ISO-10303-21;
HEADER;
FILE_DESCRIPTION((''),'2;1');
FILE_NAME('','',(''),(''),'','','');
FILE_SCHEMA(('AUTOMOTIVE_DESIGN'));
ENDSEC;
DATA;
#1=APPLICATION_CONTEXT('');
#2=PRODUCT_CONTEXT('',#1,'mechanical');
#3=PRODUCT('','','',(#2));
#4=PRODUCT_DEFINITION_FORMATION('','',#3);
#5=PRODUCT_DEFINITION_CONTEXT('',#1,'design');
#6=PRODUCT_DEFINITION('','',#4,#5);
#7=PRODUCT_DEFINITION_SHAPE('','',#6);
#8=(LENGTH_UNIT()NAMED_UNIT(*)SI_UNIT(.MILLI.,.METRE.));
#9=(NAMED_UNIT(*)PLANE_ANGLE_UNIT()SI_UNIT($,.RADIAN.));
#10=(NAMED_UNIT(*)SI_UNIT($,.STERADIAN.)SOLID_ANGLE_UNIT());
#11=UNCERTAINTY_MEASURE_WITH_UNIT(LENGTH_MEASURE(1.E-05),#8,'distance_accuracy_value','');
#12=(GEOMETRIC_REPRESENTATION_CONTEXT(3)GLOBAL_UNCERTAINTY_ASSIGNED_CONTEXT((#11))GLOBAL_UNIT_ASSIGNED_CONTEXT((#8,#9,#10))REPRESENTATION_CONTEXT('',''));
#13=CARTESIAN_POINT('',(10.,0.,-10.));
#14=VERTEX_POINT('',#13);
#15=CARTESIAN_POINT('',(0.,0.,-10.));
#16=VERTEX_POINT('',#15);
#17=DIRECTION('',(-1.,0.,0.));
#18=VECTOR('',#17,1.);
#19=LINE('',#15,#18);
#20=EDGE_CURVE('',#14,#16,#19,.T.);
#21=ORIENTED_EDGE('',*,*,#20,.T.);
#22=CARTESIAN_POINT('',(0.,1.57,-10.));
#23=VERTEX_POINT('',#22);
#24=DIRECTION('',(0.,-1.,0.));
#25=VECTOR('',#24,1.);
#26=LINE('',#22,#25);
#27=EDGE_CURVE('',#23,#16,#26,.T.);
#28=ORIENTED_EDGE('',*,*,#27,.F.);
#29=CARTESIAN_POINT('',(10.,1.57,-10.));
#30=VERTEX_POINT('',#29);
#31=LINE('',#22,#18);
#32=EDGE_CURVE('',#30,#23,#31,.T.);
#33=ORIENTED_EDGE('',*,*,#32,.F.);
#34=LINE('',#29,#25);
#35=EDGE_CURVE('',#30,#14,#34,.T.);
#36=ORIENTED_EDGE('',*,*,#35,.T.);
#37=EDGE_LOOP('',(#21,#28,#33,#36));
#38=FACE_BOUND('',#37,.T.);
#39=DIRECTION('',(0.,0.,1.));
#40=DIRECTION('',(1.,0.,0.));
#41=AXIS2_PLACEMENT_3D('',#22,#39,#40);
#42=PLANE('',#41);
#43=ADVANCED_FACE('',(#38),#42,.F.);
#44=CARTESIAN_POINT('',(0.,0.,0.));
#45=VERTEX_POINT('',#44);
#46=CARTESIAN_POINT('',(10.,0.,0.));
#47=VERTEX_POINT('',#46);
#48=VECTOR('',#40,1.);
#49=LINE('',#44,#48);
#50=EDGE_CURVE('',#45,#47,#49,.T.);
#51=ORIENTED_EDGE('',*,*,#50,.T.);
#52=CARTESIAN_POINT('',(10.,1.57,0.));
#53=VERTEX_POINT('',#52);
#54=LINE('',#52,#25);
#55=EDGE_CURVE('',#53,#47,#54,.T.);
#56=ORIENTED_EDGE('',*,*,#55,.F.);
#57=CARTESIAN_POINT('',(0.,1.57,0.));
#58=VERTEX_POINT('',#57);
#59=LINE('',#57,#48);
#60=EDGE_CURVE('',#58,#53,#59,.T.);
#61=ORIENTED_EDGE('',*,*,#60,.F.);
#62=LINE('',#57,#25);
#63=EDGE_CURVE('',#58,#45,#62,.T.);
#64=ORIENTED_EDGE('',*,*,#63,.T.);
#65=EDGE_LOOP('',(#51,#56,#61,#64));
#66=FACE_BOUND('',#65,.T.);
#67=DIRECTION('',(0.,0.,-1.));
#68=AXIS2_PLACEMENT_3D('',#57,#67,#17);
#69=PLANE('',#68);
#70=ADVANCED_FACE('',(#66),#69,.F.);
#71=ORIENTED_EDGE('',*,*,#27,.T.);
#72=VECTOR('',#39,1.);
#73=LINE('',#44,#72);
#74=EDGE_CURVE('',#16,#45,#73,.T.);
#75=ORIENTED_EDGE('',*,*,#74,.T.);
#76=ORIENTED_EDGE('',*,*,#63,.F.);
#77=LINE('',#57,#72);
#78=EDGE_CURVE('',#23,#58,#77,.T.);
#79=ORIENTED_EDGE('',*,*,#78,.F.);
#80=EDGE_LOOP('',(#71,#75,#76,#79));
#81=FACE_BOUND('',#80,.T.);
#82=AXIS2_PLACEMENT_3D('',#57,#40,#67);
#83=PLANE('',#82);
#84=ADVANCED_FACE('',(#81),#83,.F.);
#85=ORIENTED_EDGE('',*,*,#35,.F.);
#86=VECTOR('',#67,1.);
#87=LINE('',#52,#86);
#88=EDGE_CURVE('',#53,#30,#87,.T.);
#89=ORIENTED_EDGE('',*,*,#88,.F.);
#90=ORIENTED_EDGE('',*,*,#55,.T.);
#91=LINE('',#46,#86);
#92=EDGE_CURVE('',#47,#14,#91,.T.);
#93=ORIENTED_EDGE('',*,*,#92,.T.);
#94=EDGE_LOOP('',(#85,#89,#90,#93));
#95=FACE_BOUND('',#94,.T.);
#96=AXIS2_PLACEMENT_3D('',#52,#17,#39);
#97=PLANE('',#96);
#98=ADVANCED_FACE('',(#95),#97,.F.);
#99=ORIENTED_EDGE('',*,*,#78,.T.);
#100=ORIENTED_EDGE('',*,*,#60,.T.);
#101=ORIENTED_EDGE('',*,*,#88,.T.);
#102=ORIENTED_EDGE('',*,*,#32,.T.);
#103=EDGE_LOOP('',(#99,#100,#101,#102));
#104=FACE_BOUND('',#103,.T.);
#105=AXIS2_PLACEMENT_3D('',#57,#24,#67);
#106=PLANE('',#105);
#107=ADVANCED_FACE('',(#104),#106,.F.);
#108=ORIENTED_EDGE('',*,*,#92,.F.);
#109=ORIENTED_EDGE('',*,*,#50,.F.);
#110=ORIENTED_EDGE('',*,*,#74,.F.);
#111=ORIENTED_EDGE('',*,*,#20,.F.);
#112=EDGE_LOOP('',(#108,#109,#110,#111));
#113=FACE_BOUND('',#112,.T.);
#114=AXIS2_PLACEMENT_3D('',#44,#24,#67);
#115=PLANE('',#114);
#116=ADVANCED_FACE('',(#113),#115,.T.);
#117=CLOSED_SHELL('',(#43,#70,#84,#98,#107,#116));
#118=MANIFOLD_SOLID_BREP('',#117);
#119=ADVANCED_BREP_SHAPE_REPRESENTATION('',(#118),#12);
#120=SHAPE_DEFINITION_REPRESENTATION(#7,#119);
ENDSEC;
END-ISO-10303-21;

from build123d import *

# Parameters (mm, degrees)
SKETCH1_W           = 10
SKETCH1_H           = 10
BOSS_EXTRUDE1_DEPTH = 1.57


with BuildPart() as part:
    # Sketch1 → Boss-Extrude1 (new body)
    with BuildSketch(Plane(origin=(0, 0, 0), x_dir=(1, 0, 0), z_dir=(0, 1, 0))):
        with Locations((5, 5)):
            Rectangle(SKETCH1_W, SKETCH1_H)
    extrude(amount=BOSS_EXTRUDE1_DEPTH)


solid = part.part
